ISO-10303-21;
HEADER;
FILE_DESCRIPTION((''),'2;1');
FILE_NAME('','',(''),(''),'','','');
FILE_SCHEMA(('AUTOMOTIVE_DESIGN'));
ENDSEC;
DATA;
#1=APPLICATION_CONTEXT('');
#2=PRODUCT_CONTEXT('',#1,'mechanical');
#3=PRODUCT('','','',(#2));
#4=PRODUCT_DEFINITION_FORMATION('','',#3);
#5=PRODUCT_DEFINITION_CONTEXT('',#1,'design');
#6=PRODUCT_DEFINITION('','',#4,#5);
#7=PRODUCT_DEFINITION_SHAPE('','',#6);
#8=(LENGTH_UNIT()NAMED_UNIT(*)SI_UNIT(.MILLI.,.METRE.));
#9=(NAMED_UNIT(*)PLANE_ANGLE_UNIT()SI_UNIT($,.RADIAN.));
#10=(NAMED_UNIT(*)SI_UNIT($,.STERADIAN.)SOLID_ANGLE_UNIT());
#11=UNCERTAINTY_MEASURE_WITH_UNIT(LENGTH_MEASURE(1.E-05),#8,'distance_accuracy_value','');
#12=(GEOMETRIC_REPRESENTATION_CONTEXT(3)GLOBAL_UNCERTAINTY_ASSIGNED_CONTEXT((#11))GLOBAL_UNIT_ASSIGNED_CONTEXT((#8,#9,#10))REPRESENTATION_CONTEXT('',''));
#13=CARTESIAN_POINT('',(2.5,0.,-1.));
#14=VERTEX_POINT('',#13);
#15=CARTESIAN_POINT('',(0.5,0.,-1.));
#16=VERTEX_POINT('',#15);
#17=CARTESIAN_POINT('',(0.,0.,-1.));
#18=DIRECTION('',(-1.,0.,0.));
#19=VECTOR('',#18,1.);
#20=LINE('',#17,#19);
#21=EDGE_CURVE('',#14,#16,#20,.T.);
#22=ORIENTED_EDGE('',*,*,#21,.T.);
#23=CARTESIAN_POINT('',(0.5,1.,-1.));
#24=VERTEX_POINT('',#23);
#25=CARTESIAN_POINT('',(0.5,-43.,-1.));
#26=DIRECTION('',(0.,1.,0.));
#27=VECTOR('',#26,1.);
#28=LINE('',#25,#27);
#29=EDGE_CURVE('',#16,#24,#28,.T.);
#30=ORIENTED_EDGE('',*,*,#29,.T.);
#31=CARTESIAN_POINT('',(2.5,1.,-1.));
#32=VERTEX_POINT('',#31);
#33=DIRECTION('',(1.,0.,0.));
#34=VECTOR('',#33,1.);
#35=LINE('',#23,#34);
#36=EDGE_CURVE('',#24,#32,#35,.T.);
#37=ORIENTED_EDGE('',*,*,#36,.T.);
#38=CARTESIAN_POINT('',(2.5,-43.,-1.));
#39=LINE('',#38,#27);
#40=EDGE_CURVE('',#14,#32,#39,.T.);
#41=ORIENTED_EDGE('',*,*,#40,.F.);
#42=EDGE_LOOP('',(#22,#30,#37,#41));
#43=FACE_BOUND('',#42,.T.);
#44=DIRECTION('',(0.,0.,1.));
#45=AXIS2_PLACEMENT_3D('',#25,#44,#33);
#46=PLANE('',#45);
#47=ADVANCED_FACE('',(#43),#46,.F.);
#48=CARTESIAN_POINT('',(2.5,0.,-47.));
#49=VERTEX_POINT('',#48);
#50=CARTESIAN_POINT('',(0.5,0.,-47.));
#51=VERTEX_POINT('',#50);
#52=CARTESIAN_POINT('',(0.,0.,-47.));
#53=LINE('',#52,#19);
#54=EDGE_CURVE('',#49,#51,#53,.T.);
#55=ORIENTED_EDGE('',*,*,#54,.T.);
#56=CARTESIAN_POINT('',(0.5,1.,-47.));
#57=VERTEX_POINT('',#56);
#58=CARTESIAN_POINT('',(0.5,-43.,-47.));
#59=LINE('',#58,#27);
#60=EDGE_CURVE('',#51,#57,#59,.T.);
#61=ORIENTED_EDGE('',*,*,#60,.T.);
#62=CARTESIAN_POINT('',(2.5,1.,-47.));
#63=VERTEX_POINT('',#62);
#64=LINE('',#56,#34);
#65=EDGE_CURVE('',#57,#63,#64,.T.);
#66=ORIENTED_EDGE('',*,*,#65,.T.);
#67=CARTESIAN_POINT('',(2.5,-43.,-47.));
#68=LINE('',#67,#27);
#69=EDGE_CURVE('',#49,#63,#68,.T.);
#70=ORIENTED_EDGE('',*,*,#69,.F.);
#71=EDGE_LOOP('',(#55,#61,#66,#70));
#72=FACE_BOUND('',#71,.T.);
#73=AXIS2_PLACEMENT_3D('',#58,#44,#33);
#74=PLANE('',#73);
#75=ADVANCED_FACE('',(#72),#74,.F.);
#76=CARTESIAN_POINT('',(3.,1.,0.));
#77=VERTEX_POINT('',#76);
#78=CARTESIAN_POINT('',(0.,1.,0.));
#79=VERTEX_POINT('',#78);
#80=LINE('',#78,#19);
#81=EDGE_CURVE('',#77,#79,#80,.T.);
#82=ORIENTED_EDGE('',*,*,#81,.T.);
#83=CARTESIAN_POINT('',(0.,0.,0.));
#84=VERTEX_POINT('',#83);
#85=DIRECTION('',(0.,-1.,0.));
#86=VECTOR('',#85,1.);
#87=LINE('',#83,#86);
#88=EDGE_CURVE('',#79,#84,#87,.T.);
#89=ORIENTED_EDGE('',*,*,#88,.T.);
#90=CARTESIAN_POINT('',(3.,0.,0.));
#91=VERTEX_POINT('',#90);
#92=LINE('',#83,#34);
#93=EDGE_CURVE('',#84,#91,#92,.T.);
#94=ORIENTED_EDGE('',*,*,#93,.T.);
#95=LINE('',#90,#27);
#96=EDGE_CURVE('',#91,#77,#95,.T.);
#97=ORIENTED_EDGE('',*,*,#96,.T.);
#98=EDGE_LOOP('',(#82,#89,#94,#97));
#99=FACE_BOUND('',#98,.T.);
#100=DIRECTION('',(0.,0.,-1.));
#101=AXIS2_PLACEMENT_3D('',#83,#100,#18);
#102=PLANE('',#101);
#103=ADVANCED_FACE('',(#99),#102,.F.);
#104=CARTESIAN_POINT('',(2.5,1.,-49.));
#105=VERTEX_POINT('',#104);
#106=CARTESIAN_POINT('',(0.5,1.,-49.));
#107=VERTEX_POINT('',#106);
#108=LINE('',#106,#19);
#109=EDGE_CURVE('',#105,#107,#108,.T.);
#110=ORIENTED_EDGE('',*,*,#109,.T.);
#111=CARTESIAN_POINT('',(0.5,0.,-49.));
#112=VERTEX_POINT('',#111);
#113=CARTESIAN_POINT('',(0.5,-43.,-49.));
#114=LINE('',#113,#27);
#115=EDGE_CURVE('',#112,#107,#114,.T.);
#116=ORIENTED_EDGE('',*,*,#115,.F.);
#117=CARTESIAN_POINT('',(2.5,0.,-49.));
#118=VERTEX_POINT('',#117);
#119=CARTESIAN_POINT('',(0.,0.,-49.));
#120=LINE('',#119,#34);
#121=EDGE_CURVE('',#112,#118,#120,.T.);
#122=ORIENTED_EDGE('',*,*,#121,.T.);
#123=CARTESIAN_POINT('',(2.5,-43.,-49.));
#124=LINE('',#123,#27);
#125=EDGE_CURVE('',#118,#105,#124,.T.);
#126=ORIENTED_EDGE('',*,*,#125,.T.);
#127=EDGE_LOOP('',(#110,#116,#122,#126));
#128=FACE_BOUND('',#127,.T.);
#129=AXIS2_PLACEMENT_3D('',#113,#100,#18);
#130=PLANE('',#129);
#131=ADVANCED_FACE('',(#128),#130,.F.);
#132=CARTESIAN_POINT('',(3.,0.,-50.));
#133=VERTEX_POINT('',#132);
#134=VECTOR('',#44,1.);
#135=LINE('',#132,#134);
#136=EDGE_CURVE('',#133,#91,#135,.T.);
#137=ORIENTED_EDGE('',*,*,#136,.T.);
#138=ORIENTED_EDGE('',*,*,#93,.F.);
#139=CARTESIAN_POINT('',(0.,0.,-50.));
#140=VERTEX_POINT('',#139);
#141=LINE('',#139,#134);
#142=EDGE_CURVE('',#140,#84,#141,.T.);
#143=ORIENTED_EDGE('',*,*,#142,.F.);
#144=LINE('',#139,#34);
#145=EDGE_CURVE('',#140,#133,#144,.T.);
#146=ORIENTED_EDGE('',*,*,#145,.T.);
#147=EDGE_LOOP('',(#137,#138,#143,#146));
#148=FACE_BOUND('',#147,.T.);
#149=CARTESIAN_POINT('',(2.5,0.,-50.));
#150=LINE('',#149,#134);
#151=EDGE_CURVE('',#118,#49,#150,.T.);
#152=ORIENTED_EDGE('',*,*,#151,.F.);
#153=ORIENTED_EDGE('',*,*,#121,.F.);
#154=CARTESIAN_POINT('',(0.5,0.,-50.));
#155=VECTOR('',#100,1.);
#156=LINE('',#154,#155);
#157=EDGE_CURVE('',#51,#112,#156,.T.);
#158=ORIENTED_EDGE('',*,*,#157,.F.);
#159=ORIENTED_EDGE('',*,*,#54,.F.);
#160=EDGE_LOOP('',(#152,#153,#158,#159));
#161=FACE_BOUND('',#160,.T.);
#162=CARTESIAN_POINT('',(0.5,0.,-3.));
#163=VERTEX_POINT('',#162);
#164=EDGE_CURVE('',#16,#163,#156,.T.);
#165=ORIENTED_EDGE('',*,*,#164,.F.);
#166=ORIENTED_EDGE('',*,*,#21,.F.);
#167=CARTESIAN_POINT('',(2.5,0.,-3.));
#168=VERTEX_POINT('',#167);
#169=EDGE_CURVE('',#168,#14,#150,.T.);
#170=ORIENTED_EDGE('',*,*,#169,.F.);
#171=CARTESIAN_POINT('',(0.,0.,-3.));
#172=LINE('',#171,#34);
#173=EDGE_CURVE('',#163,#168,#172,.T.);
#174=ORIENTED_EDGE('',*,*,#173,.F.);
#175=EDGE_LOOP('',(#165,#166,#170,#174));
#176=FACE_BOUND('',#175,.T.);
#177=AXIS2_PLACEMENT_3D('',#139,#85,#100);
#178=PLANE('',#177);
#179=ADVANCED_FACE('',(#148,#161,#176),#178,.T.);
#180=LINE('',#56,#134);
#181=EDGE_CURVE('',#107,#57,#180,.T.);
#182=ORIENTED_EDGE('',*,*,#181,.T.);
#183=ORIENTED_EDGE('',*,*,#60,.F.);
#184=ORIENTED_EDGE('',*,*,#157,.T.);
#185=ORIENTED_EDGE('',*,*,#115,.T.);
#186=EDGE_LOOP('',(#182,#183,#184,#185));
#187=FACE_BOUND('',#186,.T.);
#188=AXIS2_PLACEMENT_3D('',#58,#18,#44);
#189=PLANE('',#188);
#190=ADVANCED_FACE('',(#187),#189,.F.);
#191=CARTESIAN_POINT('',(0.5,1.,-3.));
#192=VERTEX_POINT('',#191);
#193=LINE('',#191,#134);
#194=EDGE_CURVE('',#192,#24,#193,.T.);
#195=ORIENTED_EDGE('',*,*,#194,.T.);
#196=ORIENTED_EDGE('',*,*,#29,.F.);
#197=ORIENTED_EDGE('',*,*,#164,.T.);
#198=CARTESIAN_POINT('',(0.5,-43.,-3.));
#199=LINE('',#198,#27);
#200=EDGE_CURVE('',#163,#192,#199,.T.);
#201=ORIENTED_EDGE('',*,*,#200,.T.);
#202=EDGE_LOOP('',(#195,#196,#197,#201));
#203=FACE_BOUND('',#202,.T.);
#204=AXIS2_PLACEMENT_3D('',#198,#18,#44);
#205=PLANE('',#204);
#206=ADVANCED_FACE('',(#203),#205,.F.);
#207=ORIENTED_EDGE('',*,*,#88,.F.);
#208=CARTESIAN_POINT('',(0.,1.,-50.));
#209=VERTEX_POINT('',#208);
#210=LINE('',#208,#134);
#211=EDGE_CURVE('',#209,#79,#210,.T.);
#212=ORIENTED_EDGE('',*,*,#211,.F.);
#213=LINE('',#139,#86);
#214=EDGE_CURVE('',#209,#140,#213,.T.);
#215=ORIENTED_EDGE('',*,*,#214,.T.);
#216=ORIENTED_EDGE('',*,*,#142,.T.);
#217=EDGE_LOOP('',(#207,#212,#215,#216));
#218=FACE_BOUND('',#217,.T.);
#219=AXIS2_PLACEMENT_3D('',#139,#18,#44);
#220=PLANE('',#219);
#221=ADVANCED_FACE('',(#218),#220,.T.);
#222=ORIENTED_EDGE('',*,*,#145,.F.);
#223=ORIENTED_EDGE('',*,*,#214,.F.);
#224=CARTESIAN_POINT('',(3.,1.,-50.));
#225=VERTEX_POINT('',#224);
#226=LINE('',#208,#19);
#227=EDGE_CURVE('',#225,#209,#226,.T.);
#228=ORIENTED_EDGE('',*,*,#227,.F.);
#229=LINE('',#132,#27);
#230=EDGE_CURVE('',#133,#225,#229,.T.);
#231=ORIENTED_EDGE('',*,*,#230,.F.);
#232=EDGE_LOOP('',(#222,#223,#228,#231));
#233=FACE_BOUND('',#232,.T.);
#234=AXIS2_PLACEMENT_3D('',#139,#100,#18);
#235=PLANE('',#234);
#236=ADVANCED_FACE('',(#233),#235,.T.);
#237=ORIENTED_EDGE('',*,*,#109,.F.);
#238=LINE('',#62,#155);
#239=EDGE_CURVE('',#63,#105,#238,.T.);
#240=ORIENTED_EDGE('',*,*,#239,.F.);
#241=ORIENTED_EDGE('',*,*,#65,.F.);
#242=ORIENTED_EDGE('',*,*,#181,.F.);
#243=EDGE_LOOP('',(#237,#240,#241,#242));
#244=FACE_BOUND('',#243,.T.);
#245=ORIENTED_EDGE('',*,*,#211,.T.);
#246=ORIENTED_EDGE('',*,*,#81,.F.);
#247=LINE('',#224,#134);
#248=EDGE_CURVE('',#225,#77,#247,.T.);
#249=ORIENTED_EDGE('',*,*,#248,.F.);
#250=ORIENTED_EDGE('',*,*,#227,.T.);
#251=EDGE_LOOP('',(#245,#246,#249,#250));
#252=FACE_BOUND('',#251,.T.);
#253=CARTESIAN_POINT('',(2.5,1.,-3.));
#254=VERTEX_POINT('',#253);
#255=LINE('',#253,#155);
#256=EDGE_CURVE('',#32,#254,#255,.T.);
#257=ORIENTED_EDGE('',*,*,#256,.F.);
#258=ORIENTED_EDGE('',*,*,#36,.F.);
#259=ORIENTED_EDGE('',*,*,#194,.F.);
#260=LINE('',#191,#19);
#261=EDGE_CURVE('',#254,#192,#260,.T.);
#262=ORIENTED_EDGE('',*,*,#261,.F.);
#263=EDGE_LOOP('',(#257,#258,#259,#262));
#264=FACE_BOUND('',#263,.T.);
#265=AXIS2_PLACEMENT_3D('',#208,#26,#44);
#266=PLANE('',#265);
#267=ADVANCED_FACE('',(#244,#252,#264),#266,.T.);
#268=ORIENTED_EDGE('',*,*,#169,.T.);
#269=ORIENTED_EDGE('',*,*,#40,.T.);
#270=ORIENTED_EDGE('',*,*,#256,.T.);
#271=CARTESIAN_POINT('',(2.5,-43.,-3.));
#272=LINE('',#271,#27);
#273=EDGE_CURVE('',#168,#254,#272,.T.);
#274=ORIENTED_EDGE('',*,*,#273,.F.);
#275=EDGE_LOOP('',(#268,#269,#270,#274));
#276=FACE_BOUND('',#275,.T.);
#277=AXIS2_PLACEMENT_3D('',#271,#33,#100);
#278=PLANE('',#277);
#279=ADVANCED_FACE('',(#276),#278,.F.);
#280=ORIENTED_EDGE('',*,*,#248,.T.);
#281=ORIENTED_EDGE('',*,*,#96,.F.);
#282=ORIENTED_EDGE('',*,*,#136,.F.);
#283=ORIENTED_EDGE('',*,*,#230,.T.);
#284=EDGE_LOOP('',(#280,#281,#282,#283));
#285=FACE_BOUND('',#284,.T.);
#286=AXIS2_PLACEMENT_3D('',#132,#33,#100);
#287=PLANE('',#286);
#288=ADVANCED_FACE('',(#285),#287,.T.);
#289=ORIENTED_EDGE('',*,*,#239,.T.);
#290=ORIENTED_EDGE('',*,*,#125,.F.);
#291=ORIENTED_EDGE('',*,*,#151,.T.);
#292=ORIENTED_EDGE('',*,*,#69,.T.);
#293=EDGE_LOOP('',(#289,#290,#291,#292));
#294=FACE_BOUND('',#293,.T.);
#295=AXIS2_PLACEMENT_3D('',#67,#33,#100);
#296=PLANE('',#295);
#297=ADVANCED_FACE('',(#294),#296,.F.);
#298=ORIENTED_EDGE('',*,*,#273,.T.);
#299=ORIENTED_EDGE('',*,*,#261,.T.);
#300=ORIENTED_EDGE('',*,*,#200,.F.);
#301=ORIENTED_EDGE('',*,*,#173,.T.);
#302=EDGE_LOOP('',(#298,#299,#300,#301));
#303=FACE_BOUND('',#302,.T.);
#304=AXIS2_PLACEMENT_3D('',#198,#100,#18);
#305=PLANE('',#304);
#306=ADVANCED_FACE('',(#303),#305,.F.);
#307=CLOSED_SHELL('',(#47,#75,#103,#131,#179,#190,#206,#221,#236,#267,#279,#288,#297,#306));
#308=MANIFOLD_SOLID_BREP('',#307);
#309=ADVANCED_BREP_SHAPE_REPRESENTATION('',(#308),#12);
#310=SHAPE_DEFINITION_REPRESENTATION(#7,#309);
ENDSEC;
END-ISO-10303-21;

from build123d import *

# Parameters (mm, degrees)
ESBO_O1_W                = 3
ESBO_O1_H                = 1
RESSALTO_EXTRUS_O1_DEPTH = 50
ESBO_O3_W                = 2
ESBO_O3_H                = 2
CORTE_EXTRUS_O1_DEPTH    = 44


with BuildPart() as part:
    # Esboço1 → Ressalto-extrusão1 (new body)
    with BuildSketch(Plane.XY):
        with Locations((1.5, 0.5)):
            Rectangle(ESBO_O1_W, ESBO_O1_H)
    extrude(amount=-RESSALTO_EXTRUS_O1_DEPTH)

    # Esboço3 → Corte-extrusão1 (cut)
    with BuildSketch(Plane(origin=(0, 1, 0), x_dir=(1, 0, 0), z_dir=(0, 1, 0))):
        with Locations((1.5, 2)):
            Rectangle(ESBO_O3_W, ESBO_O3_H)
        with Locations((1.5, 48)):
            Rectangle(ESBO_O3_W, ESBO_O3_H)
    extrude(amount=-CORTE_EXTRUS_O1_DEPTH, mode=Mode.SUBTRACT)


solid = part.part
